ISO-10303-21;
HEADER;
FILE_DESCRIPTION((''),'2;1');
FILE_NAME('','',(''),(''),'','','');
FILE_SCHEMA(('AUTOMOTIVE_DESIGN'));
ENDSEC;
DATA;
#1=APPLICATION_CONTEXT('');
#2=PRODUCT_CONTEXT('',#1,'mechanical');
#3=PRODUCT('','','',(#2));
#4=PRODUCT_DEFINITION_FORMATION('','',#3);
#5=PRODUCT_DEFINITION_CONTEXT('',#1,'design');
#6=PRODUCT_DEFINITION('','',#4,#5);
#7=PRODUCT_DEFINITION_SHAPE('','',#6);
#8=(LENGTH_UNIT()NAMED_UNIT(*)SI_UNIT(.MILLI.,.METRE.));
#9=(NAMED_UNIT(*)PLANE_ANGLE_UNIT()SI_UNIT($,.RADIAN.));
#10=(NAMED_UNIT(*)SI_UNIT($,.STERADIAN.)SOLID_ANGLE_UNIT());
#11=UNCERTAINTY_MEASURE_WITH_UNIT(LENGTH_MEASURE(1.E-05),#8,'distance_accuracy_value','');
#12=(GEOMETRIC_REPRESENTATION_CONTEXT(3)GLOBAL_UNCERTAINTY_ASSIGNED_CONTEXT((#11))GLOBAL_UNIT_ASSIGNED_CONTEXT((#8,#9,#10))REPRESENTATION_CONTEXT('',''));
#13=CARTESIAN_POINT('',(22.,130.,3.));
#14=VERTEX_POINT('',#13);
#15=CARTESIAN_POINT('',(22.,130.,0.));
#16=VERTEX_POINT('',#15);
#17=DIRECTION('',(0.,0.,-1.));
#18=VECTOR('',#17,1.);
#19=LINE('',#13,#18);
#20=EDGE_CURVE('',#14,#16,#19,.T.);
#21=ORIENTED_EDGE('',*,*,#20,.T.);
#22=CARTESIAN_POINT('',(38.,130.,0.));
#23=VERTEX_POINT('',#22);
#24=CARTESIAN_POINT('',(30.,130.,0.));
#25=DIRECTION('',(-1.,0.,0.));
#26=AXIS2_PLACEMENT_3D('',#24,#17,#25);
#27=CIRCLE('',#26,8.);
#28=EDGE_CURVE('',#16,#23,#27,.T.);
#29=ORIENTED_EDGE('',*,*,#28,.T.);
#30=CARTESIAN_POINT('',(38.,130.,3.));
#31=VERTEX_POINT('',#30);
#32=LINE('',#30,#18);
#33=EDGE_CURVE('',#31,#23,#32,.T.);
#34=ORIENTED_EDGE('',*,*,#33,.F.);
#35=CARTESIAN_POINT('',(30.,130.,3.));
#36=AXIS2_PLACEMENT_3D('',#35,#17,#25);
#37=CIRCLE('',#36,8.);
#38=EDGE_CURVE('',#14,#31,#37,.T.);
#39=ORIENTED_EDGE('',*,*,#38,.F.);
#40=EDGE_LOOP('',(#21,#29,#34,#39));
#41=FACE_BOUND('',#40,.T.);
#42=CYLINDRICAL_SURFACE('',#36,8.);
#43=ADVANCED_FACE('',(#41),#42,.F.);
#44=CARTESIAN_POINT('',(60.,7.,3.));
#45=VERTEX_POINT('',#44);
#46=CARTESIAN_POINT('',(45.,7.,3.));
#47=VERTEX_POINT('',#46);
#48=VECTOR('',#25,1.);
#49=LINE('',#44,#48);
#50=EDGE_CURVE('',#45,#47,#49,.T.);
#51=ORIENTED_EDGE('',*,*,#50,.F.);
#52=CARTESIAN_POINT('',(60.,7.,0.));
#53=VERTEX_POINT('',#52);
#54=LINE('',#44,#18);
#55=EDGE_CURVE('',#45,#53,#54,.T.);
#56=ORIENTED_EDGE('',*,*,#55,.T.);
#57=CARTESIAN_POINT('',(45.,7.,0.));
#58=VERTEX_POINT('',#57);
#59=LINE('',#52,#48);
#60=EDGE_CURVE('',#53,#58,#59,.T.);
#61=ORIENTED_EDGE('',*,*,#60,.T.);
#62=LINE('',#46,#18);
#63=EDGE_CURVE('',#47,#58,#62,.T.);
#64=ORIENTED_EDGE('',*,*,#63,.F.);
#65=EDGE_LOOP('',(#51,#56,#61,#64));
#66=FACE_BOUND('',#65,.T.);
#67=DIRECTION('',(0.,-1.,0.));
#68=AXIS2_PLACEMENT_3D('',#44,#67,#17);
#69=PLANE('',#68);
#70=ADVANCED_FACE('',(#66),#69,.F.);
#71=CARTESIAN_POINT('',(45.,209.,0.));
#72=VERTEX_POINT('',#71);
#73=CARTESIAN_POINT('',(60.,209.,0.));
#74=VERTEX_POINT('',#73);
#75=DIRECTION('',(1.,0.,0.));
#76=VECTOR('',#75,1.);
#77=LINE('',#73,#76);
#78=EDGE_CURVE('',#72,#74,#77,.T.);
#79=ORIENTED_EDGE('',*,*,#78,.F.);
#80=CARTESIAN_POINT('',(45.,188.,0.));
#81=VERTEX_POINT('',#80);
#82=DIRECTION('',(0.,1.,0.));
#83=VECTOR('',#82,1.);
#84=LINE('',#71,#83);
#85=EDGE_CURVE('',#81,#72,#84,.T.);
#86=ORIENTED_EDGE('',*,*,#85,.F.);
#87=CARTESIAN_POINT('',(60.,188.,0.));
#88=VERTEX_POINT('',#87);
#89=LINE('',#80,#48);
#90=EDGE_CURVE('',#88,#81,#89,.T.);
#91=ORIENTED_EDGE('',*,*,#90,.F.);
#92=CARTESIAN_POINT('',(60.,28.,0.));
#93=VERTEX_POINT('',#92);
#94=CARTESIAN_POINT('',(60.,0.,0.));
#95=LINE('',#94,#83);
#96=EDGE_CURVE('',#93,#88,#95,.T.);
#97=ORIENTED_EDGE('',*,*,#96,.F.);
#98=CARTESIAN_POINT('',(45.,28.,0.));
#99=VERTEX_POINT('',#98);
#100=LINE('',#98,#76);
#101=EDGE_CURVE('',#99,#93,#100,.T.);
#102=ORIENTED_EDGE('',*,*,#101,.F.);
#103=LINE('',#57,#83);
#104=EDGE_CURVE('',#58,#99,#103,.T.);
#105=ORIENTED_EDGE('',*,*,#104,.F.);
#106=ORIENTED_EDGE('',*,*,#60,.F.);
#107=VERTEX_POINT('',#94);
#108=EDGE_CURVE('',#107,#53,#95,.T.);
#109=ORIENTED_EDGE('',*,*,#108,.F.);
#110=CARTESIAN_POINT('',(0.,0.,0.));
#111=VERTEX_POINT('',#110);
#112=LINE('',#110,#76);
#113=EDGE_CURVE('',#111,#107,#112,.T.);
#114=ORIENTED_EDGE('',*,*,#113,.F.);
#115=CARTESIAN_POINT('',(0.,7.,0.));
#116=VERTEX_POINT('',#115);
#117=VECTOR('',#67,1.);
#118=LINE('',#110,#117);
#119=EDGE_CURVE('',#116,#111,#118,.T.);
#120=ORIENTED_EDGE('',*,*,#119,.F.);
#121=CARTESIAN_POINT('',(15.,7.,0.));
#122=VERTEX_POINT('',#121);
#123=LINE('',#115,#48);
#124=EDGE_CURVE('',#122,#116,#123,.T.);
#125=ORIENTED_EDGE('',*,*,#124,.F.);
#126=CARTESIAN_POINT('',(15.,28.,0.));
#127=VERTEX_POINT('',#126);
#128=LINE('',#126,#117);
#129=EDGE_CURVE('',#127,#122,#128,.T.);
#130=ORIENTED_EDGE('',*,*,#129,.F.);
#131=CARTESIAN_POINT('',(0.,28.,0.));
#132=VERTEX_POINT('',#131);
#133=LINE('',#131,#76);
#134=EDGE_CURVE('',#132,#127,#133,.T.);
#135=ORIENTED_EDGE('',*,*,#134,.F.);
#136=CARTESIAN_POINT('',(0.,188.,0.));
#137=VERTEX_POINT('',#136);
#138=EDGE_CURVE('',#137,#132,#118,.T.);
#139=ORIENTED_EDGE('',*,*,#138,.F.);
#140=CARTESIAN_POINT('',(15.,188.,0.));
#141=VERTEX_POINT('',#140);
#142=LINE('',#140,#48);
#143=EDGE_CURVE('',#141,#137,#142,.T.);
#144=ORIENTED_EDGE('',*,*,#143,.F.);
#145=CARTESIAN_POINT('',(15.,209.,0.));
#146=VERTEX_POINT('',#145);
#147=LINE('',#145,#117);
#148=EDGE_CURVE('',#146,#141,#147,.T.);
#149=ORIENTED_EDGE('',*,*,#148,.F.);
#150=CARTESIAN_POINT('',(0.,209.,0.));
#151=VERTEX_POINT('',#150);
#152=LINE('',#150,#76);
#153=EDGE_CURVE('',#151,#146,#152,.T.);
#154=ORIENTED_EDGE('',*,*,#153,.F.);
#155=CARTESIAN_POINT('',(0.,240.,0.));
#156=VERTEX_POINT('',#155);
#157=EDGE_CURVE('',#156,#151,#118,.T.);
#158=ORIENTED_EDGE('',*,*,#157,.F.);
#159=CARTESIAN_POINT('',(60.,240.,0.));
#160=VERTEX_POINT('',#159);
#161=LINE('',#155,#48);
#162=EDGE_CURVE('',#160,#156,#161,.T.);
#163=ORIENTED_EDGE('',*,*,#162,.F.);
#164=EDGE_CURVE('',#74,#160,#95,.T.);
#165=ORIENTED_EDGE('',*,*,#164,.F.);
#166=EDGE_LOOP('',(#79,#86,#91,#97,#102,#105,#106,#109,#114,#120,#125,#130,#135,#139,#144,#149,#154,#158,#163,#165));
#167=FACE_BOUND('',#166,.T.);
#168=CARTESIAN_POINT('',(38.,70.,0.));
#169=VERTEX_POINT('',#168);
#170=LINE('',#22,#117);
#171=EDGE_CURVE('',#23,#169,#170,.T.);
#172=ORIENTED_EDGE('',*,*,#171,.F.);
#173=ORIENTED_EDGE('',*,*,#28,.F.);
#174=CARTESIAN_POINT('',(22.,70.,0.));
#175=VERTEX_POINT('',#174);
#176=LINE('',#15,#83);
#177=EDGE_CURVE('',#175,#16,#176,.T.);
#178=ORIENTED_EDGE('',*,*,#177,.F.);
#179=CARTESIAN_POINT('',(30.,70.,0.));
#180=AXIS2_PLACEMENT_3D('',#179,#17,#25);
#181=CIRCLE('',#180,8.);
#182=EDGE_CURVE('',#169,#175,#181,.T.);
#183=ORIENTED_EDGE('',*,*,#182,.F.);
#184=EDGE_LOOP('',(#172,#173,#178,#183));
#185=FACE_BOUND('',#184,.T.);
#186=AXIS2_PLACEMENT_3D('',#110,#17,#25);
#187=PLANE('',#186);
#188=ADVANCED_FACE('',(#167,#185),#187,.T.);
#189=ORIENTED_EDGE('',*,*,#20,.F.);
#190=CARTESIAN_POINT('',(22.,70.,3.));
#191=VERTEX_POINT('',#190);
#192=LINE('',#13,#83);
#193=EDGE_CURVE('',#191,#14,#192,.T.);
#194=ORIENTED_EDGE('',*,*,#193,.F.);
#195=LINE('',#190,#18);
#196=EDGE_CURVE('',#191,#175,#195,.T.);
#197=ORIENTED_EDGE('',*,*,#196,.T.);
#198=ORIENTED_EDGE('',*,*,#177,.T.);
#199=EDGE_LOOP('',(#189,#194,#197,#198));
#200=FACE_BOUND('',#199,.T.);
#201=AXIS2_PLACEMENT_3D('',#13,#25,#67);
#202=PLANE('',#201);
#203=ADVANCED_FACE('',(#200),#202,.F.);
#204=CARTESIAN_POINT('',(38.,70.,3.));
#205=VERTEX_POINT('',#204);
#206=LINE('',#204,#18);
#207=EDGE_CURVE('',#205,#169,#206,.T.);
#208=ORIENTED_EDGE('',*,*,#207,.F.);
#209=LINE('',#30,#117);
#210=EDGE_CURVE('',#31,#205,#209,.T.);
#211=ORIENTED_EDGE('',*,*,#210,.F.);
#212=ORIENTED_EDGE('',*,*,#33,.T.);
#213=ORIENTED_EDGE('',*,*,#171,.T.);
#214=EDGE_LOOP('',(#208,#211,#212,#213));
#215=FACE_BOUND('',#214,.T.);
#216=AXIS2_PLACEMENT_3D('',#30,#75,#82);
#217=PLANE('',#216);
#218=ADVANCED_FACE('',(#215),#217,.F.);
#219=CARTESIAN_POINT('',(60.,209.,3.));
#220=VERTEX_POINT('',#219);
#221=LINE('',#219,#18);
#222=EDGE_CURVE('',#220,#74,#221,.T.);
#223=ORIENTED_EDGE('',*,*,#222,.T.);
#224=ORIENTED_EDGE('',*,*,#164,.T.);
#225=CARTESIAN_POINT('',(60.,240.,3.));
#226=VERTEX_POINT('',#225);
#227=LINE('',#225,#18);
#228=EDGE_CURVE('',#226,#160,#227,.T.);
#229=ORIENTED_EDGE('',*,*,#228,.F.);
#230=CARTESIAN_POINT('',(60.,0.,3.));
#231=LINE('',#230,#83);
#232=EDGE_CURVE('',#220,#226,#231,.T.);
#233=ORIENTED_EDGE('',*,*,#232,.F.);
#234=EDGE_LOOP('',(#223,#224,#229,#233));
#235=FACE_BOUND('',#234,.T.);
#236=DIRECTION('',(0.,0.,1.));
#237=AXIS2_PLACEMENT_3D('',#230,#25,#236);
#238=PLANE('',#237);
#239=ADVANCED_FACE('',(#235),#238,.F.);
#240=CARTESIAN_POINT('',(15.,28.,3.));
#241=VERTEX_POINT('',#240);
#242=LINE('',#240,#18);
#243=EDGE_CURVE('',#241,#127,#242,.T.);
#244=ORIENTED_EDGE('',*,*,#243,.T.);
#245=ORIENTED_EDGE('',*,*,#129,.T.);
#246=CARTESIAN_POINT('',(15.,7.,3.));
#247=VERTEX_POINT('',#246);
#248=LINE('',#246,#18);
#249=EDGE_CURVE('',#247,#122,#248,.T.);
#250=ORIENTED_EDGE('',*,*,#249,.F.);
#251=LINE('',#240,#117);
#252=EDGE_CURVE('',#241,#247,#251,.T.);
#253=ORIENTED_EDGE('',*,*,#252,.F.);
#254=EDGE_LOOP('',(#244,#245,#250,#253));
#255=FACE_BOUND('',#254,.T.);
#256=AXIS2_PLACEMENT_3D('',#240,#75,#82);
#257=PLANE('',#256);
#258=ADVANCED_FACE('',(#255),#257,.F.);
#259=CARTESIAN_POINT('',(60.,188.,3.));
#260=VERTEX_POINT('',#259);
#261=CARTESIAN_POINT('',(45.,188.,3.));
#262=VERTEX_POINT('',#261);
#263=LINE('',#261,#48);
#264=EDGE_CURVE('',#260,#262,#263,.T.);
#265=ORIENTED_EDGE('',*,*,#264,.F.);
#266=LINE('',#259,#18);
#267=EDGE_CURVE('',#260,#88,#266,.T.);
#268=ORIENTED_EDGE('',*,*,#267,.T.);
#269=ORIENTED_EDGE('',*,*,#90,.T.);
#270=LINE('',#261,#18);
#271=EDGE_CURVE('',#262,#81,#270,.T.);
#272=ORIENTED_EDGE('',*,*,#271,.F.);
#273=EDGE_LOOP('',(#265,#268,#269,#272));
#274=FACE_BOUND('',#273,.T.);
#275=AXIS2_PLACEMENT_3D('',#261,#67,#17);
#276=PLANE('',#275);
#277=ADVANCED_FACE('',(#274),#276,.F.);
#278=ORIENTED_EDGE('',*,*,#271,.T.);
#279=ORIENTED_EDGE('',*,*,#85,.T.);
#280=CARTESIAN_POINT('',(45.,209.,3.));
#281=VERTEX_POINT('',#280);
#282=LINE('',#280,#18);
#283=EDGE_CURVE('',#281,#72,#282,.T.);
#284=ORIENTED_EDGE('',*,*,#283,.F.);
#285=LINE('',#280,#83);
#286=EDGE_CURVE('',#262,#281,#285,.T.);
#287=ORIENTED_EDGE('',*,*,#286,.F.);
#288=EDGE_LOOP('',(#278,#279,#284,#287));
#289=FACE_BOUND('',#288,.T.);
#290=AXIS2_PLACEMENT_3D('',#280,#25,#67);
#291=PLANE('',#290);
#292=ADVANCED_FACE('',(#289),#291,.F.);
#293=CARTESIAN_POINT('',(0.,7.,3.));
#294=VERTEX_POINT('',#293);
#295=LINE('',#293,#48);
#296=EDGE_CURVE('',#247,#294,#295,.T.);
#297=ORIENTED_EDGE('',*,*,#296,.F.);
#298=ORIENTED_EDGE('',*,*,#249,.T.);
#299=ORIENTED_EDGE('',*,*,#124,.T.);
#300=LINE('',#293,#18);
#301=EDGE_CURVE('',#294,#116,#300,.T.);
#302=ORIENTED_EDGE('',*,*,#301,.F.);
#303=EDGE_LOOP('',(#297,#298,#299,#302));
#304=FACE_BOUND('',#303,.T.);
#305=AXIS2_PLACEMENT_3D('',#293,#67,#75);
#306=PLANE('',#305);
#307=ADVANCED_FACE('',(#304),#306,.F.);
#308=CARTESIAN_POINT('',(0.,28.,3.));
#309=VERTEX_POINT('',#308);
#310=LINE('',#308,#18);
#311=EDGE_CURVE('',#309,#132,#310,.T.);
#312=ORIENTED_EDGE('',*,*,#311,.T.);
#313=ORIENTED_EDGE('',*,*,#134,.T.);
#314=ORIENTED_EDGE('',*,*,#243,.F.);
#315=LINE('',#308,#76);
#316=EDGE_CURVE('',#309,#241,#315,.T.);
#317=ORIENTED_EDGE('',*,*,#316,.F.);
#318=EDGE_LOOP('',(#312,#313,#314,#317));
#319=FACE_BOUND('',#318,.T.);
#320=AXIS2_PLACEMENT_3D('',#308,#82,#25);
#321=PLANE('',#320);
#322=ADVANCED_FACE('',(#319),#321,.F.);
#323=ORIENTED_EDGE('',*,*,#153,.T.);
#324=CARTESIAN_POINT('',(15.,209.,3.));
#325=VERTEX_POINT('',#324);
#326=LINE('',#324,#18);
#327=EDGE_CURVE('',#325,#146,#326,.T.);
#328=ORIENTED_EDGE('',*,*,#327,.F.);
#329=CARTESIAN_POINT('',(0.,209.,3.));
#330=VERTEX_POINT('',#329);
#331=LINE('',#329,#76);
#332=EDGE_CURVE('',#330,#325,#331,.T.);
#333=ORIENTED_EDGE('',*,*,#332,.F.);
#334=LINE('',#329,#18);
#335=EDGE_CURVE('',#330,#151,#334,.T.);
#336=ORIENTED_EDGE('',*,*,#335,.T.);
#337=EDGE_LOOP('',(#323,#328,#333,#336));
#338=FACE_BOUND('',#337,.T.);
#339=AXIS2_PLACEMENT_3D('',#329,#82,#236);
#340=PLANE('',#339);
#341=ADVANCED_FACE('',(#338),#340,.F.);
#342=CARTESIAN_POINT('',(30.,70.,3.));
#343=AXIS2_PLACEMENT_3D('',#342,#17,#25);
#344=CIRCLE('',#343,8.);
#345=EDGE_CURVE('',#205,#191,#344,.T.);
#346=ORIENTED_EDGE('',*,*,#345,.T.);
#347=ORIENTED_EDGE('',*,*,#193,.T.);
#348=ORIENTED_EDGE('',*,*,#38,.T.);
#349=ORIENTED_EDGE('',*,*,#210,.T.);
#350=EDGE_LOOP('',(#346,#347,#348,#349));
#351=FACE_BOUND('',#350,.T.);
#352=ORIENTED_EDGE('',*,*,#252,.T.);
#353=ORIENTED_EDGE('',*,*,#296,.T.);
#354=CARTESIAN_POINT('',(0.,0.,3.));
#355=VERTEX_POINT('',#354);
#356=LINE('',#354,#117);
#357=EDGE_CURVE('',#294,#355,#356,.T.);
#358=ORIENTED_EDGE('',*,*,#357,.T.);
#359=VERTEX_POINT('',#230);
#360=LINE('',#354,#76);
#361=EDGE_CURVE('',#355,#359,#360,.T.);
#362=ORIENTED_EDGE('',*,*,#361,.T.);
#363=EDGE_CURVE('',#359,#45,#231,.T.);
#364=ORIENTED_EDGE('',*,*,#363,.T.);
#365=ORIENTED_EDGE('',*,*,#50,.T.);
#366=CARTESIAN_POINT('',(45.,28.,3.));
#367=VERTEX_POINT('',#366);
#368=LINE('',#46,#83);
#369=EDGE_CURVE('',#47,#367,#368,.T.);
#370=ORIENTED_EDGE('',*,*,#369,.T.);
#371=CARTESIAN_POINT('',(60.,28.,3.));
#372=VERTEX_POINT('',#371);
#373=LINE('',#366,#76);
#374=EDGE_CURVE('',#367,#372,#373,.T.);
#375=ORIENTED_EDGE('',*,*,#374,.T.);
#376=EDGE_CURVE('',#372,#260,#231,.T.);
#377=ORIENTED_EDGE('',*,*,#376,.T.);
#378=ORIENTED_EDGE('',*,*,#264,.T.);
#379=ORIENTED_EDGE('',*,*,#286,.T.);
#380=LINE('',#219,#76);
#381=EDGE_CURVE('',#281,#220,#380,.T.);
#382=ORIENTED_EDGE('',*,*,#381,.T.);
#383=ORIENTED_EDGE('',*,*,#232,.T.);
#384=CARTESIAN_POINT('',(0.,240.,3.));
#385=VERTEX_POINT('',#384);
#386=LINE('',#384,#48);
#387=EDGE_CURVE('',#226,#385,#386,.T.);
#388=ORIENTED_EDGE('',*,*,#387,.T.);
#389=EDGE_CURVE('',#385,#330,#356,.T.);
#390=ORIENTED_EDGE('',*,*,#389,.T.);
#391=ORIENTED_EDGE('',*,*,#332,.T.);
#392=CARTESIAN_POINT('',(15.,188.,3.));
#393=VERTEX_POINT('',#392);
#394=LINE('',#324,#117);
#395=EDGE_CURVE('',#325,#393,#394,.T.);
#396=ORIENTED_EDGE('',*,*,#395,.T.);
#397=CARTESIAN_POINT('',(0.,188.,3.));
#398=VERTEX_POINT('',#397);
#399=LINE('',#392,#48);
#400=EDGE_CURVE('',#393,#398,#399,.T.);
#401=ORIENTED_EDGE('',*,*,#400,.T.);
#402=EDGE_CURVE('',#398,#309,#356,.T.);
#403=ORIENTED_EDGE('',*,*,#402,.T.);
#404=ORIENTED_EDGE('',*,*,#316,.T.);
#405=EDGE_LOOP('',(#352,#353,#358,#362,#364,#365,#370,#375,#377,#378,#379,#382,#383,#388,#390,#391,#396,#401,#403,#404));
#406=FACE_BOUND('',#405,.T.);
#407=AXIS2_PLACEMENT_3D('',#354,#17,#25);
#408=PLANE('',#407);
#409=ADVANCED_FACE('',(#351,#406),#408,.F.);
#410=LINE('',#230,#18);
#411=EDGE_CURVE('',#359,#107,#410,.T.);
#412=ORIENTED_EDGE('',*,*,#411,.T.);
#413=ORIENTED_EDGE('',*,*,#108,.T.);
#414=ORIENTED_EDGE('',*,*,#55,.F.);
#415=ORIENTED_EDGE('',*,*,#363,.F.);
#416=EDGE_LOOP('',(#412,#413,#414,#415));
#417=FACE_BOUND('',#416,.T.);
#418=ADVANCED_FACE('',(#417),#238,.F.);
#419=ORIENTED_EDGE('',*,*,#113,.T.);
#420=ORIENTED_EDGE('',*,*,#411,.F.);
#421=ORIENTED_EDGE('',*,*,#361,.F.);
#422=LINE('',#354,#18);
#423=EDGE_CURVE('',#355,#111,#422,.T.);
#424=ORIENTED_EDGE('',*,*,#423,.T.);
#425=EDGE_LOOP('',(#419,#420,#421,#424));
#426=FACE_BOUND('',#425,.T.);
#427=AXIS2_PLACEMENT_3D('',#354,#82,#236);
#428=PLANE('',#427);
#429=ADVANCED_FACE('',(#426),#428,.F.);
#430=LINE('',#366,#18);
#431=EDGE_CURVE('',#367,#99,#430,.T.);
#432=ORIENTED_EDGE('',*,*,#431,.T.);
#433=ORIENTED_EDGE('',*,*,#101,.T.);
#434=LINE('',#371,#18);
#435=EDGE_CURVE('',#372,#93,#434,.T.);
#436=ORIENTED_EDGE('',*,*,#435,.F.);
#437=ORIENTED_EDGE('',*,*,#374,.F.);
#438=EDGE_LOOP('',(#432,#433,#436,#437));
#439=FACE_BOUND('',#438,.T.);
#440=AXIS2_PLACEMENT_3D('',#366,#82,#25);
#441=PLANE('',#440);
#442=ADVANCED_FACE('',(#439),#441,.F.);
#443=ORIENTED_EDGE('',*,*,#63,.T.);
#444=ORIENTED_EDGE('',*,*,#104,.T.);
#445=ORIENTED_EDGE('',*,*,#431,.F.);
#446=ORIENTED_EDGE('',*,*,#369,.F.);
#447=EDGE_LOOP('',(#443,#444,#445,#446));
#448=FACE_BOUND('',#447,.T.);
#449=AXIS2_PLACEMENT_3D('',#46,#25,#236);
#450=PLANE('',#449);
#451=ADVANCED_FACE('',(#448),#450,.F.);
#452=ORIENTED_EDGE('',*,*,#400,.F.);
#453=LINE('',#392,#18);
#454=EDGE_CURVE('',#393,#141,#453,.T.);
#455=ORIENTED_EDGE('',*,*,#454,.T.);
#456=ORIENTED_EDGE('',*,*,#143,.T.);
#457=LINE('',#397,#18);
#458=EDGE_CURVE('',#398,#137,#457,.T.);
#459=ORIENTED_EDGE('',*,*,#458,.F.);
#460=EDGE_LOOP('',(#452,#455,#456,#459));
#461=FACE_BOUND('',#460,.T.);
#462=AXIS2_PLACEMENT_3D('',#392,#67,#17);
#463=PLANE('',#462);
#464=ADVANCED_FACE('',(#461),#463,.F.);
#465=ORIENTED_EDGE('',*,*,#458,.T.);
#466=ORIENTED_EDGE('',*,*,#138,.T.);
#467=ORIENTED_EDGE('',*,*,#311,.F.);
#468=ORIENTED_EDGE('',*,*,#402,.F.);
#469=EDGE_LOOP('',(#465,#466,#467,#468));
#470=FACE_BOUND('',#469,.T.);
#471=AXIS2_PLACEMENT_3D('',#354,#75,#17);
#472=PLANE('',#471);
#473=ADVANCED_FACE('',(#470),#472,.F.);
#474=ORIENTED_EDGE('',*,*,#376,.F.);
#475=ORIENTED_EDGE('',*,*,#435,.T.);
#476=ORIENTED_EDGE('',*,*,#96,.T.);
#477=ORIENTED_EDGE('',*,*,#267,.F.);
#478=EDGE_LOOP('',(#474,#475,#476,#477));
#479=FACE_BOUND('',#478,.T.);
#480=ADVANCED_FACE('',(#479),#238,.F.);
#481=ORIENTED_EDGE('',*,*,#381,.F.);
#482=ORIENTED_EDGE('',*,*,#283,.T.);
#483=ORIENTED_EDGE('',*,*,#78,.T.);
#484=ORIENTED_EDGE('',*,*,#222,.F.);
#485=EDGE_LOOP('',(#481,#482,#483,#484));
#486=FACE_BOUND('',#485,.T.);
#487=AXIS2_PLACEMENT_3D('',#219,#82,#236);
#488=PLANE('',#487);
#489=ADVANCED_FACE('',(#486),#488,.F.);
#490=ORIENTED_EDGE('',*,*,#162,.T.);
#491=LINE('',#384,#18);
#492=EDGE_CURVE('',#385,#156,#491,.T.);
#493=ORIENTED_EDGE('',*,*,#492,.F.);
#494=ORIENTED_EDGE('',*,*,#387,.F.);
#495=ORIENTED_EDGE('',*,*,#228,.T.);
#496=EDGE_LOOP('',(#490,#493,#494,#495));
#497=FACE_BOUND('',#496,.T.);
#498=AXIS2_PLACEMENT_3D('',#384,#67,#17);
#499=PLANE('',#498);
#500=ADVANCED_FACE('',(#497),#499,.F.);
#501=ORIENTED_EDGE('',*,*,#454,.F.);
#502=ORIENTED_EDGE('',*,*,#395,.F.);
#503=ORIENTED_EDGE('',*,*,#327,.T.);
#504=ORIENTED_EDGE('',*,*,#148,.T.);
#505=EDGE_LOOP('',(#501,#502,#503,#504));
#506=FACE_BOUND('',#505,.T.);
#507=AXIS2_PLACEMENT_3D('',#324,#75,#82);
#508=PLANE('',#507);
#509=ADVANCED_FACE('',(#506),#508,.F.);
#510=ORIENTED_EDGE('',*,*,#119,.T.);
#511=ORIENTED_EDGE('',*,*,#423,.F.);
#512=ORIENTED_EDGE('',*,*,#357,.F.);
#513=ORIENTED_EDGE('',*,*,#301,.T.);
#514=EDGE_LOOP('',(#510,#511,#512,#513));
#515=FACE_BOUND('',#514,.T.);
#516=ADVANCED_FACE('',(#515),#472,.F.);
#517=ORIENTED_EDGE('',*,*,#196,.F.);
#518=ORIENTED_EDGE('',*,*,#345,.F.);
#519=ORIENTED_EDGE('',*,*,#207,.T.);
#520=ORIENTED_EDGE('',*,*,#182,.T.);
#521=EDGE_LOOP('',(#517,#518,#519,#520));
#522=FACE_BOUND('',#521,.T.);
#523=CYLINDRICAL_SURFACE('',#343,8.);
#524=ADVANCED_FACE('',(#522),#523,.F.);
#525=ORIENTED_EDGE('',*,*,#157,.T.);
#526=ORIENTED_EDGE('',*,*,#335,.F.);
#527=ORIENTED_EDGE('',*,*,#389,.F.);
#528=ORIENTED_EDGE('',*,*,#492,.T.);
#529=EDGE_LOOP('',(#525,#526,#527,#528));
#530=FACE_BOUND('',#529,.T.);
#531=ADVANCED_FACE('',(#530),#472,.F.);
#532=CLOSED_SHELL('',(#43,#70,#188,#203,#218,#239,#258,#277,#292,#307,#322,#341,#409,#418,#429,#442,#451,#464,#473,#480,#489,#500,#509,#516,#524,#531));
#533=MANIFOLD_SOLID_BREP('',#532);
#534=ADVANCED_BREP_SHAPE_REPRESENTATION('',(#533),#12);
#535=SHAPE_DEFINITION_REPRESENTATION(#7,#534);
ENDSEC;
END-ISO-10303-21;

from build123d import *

# Parameters (mm, degrees)
SKETCH_1_W          = 60
SKETCH_1_H          = 240
EXTRUDE_1_DEPTH     = 3
SKETCH_4_W          = 15
SKETCH_4_H          = 21
CUT_EXTRUDE_1_DEPTH = 3


with BuildPart() as part:
    # 草图1 → 凸台-拉伸1 (new body)
    with BuildSketch(Plane.XY):
        with Locations((30, 120)):
            Rectangle(SKETCH_1_W, SKETCH_1_H)
    extrude(amount=EXTRUDE_1_DEPTH)

    # 草图4 → 切除-拉伸1 (cut)
    with BuildSketch(Plane(origin=(0, 0, 0), x_dir=(-1, 0, 0), z_dir=(0, 0, -1))):
        with Locations((-52.5, 17.5)):
            Rectangle(SKETCH_4_W, SKETCH_4_H)
        with Locations((-7.5, 17.5)):
            Rectangle(SKETCH_4_W, SKETCH_4_H)
        with Locations((-7.5, 198.5)):
            Rectangle(SKETCH_4_W, SKETCH_4_H)
        with Locations((-52.5, 198.5)):
            Rectangle(SKETCH_4_W, SKETCH_4_H)
        with BuildLine():
            Line((-22, 130), (-22, 70))
            ThreePointArc((-22, 70), (-30, 62), (-38, 70))
            Line((-38, 70), (-38, 130))
            ThreePointArc((-38, 130), (-30, 138), (-22, 130))
        make_face()
    extrude(amount=-CUT_EXTRUDE_1_DEPTH, mode=Mode.SUBTRACT)


solid = part.part
